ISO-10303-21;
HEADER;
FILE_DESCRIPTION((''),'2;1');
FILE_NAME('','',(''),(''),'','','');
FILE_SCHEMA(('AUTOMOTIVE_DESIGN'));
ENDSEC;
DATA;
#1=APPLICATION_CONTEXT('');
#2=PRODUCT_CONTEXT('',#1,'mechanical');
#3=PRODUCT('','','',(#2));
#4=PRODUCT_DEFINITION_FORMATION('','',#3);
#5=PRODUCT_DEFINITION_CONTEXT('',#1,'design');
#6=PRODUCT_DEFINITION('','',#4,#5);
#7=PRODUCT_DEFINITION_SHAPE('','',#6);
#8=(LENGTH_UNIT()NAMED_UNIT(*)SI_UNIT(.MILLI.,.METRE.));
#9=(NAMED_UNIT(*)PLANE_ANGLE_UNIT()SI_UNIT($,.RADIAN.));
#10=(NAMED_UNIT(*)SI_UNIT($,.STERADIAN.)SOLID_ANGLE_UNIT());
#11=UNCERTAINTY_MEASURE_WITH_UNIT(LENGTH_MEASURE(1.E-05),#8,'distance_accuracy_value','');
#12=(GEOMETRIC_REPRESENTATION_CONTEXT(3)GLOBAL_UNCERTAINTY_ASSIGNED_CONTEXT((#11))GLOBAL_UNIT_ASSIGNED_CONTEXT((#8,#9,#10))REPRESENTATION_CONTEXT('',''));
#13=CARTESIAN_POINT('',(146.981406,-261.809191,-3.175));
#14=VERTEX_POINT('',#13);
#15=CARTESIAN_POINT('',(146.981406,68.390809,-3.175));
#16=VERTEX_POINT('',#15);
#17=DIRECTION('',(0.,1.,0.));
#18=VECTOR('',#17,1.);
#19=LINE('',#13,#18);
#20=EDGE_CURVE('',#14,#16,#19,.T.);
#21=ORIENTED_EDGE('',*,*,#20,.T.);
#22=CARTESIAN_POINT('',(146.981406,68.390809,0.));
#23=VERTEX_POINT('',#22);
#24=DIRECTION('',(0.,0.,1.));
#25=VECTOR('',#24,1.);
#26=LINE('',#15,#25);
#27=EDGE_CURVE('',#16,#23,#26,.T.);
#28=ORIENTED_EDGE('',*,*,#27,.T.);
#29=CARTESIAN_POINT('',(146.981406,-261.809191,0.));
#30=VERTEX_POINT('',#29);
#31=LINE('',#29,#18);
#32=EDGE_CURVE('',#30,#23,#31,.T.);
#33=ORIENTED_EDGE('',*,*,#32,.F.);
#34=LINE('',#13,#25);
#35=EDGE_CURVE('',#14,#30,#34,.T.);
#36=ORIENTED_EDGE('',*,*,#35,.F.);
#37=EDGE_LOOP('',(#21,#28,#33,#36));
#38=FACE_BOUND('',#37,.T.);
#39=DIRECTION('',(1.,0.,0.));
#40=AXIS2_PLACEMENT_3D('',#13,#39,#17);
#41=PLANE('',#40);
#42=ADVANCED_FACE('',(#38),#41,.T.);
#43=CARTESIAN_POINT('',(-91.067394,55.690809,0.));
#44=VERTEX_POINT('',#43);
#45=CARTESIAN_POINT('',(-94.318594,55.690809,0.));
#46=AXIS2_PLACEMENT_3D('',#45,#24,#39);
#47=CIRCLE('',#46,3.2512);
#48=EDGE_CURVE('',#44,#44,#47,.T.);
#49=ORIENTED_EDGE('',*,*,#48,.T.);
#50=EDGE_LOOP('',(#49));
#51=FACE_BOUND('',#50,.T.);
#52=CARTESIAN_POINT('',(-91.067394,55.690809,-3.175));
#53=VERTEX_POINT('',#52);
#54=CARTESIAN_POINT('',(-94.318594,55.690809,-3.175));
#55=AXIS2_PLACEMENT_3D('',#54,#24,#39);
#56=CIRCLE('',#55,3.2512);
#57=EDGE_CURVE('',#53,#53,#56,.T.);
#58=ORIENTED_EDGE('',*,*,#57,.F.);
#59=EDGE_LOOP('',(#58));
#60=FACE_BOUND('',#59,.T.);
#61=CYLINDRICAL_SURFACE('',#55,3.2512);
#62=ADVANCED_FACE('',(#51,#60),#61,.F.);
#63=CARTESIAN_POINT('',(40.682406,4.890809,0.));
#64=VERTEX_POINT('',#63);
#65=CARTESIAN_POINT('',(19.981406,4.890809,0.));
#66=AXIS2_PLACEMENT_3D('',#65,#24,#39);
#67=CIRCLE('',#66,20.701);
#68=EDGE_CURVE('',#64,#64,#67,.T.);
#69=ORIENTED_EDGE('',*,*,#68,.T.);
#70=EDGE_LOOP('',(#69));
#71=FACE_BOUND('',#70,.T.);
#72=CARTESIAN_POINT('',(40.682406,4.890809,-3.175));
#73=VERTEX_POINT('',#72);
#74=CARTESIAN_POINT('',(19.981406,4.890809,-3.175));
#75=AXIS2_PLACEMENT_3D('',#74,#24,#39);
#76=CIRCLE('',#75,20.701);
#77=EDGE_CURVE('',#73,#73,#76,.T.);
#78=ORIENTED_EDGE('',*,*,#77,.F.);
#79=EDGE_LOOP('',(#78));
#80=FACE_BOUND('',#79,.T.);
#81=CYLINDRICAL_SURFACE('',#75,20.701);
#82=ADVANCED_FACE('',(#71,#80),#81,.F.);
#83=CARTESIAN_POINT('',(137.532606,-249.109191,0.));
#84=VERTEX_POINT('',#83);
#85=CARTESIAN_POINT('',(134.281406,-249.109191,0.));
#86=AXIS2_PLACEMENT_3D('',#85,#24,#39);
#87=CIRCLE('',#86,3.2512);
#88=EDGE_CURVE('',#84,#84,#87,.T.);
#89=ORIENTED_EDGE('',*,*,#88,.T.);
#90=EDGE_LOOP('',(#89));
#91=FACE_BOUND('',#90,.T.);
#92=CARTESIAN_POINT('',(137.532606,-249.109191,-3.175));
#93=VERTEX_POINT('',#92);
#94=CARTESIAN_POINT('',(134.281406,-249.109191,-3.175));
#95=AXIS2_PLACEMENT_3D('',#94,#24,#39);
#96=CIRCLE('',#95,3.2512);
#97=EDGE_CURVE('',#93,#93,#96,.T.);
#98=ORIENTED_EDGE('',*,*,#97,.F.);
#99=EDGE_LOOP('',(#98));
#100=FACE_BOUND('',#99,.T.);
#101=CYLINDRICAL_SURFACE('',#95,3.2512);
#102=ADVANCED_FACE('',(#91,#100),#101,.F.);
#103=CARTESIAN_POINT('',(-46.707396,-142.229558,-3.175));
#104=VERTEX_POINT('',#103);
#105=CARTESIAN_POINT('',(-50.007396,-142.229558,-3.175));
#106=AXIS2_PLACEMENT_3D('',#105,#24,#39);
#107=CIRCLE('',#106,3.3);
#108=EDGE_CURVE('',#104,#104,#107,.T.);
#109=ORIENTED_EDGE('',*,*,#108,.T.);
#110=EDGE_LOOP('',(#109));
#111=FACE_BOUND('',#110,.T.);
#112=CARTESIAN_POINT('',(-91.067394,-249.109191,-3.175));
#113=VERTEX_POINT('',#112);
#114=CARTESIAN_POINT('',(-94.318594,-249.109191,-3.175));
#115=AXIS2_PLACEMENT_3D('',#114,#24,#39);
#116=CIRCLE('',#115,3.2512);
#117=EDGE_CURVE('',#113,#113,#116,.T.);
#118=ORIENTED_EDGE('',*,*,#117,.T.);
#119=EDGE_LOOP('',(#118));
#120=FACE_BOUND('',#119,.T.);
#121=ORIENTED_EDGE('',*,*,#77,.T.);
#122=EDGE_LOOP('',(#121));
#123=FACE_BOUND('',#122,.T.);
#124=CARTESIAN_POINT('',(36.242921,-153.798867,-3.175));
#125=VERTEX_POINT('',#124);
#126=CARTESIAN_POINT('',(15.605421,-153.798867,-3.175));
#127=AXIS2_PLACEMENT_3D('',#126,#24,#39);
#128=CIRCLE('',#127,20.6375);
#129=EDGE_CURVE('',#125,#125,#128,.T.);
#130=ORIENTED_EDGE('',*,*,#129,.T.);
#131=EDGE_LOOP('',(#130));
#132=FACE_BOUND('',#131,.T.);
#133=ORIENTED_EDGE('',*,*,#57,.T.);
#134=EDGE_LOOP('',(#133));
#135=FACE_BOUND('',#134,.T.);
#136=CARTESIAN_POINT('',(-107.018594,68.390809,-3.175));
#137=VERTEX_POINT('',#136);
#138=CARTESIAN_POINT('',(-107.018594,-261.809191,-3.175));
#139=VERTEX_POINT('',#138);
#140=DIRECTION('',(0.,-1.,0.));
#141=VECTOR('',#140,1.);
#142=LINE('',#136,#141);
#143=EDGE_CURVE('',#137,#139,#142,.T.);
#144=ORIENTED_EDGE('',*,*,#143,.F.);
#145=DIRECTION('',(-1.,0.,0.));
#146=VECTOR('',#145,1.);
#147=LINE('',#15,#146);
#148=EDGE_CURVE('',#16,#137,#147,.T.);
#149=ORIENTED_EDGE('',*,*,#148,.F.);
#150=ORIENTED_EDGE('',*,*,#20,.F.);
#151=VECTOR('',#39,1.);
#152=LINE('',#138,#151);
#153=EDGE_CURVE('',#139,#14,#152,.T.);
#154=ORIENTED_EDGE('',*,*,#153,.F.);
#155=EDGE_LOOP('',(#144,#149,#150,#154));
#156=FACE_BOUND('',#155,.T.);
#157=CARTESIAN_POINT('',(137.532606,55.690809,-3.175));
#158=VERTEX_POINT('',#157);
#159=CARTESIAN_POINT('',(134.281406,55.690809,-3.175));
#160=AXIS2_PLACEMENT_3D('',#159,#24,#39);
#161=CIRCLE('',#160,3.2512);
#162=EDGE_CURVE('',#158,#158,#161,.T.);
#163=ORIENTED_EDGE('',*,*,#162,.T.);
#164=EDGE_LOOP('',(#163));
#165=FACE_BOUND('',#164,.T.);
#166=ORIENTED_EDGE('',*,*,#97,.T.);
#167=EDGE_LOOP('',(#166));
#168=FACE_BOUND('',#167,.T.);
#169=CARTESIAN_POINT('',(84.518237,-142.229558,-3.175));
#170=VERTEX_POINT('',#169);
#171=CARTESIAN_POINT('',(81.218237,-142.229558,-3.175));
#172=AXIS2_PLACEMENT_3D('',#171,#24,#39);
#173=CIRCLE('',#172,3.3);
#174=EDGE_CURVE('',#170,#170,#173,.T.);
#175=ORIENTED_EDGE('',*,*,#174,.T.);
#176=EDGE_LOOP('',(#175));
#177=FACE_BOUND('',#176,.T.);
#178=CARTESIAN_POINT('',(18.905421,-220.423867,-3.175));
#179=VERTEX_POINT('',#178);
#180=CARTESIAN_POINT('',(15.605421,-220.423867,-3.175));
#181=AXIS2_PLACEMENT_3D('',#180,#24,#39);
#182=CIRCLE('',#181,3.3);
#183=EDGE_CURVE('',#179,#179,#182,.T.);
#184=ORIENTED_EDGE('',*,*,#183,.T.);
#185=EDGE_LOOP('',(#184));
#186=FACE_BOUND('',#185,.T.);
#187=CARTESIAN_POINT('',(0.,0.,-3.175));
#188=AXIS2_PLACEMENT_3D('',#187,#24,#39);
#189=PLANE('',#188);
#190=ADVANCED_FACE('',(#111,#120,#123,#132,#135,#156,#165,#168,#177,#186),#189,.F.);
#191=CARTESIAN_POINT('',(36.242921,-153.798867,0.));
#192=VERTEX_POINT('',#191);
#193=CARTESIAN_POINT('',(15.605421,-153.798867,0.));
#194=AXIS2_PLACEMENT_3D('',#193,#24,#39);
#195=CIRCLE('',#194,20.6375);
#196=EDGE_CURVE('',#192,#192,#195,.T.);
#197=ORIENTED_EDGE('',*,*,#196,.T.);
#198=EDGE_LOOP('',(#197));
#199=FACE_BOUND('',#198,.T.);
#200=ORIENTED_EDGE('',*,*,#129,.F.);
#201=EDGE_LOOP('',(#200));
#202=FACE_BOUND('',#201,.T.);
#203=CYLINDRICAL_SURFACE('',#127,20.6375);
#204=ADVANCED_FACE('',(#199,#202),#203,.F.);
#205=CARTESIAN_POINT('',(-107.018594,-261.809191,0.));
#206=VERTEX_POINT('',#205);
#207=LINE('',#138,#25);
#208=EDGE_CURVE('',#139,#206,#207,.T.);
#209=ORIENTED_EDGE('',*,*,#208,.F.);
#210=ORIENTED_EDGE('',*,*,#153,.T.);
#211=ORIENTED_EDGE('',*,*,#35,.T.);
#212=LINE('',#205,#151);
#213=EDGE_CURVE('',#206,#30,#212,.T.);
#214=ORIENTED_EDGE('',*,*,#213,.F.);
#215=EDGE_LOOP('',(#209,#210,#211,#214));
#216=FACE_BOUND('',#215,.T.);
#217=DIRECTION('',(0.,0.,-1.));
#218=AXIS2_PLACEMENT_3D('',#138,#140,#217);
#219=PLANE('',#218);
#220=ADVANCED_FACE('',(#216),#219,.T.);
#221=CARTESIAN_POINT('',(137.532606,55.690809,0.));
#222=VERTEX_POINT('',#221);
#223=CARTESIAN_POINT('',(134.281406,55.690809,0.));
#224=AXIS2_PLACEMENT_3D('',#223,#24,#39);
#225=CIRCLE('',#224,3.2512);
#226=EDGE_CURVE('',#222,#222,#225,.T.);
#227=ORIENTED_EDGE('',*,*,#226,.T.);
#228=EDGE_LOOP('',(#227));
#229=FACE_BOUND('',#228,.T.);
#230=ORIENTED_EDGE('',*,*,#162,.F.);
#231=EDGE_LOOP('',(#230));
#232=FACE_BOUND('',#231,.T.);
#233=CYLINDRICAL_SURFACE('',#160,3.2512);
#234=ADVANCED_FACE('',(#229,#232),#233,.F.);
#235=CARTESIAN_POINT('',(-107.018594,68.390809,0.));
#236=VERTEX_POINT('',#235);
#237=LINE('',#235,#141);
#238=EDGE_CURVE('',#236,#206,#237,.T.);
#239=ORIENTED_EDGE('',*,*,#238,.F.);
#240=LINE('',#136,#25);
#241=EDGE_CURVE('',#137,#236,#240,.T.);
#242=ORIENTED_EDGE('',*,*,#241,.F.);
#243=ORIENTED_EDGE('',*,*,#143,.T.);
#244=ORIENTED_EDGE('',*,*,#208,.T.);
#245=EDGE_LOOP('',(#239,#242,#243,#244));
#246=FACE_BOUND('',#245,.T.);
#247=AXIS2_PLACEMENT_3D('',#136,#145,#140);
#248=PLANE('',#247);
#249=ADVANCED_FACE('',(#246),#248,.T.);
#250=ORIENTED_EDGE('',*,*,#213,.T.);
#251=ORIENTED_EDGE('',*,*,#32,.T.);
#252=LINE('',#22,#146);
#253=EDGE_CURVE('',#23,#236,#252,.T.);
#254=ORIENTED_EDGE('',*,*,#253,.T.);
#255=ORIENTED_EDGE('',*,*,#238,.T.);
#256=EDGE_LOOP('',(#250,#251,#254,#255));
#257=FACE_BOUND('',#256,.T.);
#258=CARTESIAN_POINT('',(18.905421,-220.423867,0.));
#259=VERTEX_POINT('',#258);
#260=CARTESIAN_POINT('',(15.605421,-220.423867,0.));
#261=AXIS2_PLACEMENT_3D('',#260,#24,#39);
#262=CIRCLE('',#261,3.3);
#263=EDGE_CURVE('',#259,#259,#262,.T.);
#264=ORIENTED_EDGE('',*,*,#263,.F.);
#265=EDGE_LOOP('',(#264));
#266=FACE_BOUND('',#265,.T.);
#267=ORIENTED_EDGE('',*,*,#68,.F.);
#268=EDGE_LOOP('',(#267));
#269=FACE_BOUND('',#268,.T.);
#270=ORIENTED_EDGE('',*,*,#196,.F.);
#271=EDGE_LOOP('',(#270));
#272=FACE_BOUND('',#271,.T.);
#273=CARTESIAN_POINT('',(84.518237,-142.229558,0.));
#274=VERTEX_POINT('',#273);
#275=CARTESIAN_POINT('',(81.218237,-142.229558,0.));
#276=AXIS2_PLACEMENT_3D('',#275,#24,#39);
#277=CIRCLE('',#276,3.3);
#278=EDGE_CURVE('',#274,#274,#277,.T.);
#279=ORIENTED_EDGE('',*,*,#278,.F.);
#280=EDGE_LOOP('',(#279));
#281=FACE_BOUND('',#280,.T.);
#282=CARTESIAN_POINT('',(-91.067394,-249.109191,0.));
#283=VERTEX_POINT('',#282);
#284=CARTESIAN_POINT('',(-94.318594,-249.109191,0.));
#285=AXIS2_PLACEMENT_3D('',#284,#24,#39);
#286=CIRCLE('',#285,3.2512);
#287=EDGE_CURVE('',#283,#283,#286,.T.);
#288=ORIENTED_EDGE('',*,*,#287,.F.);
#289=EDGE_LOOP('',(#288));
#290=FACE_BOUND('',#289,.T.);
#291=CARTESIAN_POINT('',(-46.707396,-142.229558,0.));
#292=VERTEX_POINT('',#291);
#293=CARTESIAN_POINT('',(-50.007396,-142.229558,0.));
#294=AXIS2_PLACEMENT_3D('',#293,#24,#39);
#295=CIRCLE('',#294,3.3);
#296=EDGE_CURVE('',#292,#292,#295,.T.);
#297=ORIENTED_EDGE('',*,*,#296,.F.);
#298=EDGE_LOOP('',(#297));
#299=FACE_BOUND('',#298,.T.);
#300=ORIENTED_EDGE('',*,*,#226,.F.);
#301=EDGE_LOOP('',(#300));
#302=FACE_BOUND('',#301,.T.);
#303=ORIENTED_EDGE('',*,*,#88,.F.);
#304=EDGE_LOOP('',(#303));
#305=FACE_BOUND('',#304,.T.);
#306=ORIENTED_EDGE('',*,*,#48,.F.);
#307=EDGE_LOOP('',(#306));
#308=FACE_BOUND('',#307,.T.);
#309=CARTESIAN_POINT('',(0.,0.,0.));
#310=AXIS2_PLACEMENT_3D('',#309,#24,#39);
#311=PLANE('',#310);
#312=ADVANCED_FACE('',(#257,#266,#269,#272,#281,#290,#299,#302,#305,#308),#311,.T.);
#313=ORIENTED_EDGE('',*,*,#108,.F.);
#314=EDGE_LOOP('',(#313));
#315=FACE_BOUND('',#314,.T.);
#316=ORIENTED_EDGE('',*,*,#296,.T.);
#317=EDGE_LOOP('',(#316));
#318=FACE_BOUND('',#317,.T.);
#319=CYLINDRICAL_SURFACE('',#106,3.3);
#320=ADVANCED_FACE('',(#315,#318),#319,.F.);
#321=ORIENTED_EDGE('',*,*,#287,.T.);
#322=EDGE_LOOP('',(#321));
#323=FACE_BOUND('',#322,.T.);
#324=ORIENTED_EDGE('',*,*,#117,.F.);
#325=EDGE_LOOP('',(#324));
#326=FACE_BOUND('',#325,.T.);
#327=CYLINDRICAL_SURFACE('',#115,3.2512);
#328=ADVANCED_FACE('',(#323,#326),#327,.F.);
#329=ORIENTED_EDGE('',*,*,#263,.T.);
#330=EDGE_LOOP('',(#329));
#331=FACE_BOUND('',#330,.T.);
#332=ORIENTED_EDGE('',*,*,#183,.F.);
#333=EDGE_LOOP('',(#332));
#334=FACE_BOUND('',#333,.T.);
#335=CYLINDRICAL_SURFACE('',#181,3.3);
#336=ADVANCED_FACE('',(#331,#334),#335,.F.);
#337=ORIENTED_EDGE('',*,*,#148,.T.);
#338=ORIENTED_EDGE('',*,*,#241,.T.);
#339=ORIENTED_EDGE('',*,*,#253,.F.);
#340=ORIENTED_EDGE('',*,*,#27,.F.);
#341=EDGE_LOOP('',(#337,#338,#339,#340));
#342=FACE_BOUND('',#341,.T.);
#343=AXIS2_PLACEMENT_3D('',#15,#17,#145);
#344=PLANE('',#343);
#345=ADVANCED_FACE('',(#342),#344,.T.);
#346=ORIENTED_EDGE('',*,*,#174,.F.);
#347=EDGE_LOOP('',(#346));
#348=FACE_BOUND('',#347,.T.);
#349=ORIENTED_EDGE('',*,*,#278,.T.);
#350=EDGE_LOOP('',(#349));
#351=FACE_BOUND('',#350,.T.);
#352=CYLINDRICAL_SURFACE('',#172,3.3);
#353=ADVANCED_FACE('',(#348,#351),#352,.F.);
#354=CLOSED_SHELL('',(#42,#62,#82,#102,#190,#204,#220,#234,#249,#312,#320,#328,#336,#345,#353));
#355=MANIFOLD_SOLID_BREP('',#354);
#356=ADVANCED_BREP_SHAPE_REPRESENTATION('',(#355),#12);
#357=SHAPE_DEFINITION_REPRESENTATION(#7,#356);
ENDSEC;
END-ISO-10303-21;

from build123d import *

# Parameters (mm, degrees)
SKETCH1_W           = 254
SKETCH1_H           = 330.2
BOSS_EXTRUDE1_DEPTH = 3.175
SKETCH2_R           = 20.701
CUT_EXTRUDE1_DEPTH  = 301.262663605
SKETCH3_R           = 3.3
SKETCH3_R_2         = 20.6375
SKETCH3_R_3         = 3.2512
CUT_EXTRUDE2_DEPTH  = 301.262663605


with BuildPart() as part:
    # Sketch1 → Boss-Extrude1 (new body)
    with BuildSketch(Plane.XY):
        with Locations((19.981406387, -96.70919141)):
            Rectangle(SKETCH1_W, SKETCH1_H)
    extrude(amount=-BOSS_EXTRUDE1_DEPTH)

    # Sketch2 → Cut-Extrude1 (cut, through all)
    with BuildSketch(Plane.XY):
        with Locations((19.981406387, 4.89080859)):
            Circle(SKETCH2_R)
    extrude(amount=-CUT_EXTRUDE1_DEPTH, mode=Mode.SUBTRACT)

    # Sketch3 → Cut-Extrude2 (cut, through all)
    with BuildSketch(Plane.XY):
        with Locations((-50.007395692, -142.229557515)):
            Circle(SKETCH3_R)
        with Locations((81.218237397, -142.229557515)):
            Circle(SKETCH3_R)
        with Locations((15.605420852, -220.423867352)):
            Circle(SKETCH3_R)
        with Locations((15.605420852, -153.798867352)):
            Circle(SKETCH3_R_2)
        with Locations((134.281406387, 55.69080859)):
            Circle(SKETCH3_R_3)
        with Locations((-94.318593613, 55.69080859)):
            Circle(SKETCH3_R_3)
        with Locations((134.281406387, -249.10919141)):
            Circle(SKETCH3_R_3)
        with Locations((-94.318593613, -249.10919141)):
            Circle(SKETCH3_R_3)
    extrude(amount=-CUT_EXTRUDE2_DEPTH, mode=Mode.SUBTRACT)


solid = part.part
